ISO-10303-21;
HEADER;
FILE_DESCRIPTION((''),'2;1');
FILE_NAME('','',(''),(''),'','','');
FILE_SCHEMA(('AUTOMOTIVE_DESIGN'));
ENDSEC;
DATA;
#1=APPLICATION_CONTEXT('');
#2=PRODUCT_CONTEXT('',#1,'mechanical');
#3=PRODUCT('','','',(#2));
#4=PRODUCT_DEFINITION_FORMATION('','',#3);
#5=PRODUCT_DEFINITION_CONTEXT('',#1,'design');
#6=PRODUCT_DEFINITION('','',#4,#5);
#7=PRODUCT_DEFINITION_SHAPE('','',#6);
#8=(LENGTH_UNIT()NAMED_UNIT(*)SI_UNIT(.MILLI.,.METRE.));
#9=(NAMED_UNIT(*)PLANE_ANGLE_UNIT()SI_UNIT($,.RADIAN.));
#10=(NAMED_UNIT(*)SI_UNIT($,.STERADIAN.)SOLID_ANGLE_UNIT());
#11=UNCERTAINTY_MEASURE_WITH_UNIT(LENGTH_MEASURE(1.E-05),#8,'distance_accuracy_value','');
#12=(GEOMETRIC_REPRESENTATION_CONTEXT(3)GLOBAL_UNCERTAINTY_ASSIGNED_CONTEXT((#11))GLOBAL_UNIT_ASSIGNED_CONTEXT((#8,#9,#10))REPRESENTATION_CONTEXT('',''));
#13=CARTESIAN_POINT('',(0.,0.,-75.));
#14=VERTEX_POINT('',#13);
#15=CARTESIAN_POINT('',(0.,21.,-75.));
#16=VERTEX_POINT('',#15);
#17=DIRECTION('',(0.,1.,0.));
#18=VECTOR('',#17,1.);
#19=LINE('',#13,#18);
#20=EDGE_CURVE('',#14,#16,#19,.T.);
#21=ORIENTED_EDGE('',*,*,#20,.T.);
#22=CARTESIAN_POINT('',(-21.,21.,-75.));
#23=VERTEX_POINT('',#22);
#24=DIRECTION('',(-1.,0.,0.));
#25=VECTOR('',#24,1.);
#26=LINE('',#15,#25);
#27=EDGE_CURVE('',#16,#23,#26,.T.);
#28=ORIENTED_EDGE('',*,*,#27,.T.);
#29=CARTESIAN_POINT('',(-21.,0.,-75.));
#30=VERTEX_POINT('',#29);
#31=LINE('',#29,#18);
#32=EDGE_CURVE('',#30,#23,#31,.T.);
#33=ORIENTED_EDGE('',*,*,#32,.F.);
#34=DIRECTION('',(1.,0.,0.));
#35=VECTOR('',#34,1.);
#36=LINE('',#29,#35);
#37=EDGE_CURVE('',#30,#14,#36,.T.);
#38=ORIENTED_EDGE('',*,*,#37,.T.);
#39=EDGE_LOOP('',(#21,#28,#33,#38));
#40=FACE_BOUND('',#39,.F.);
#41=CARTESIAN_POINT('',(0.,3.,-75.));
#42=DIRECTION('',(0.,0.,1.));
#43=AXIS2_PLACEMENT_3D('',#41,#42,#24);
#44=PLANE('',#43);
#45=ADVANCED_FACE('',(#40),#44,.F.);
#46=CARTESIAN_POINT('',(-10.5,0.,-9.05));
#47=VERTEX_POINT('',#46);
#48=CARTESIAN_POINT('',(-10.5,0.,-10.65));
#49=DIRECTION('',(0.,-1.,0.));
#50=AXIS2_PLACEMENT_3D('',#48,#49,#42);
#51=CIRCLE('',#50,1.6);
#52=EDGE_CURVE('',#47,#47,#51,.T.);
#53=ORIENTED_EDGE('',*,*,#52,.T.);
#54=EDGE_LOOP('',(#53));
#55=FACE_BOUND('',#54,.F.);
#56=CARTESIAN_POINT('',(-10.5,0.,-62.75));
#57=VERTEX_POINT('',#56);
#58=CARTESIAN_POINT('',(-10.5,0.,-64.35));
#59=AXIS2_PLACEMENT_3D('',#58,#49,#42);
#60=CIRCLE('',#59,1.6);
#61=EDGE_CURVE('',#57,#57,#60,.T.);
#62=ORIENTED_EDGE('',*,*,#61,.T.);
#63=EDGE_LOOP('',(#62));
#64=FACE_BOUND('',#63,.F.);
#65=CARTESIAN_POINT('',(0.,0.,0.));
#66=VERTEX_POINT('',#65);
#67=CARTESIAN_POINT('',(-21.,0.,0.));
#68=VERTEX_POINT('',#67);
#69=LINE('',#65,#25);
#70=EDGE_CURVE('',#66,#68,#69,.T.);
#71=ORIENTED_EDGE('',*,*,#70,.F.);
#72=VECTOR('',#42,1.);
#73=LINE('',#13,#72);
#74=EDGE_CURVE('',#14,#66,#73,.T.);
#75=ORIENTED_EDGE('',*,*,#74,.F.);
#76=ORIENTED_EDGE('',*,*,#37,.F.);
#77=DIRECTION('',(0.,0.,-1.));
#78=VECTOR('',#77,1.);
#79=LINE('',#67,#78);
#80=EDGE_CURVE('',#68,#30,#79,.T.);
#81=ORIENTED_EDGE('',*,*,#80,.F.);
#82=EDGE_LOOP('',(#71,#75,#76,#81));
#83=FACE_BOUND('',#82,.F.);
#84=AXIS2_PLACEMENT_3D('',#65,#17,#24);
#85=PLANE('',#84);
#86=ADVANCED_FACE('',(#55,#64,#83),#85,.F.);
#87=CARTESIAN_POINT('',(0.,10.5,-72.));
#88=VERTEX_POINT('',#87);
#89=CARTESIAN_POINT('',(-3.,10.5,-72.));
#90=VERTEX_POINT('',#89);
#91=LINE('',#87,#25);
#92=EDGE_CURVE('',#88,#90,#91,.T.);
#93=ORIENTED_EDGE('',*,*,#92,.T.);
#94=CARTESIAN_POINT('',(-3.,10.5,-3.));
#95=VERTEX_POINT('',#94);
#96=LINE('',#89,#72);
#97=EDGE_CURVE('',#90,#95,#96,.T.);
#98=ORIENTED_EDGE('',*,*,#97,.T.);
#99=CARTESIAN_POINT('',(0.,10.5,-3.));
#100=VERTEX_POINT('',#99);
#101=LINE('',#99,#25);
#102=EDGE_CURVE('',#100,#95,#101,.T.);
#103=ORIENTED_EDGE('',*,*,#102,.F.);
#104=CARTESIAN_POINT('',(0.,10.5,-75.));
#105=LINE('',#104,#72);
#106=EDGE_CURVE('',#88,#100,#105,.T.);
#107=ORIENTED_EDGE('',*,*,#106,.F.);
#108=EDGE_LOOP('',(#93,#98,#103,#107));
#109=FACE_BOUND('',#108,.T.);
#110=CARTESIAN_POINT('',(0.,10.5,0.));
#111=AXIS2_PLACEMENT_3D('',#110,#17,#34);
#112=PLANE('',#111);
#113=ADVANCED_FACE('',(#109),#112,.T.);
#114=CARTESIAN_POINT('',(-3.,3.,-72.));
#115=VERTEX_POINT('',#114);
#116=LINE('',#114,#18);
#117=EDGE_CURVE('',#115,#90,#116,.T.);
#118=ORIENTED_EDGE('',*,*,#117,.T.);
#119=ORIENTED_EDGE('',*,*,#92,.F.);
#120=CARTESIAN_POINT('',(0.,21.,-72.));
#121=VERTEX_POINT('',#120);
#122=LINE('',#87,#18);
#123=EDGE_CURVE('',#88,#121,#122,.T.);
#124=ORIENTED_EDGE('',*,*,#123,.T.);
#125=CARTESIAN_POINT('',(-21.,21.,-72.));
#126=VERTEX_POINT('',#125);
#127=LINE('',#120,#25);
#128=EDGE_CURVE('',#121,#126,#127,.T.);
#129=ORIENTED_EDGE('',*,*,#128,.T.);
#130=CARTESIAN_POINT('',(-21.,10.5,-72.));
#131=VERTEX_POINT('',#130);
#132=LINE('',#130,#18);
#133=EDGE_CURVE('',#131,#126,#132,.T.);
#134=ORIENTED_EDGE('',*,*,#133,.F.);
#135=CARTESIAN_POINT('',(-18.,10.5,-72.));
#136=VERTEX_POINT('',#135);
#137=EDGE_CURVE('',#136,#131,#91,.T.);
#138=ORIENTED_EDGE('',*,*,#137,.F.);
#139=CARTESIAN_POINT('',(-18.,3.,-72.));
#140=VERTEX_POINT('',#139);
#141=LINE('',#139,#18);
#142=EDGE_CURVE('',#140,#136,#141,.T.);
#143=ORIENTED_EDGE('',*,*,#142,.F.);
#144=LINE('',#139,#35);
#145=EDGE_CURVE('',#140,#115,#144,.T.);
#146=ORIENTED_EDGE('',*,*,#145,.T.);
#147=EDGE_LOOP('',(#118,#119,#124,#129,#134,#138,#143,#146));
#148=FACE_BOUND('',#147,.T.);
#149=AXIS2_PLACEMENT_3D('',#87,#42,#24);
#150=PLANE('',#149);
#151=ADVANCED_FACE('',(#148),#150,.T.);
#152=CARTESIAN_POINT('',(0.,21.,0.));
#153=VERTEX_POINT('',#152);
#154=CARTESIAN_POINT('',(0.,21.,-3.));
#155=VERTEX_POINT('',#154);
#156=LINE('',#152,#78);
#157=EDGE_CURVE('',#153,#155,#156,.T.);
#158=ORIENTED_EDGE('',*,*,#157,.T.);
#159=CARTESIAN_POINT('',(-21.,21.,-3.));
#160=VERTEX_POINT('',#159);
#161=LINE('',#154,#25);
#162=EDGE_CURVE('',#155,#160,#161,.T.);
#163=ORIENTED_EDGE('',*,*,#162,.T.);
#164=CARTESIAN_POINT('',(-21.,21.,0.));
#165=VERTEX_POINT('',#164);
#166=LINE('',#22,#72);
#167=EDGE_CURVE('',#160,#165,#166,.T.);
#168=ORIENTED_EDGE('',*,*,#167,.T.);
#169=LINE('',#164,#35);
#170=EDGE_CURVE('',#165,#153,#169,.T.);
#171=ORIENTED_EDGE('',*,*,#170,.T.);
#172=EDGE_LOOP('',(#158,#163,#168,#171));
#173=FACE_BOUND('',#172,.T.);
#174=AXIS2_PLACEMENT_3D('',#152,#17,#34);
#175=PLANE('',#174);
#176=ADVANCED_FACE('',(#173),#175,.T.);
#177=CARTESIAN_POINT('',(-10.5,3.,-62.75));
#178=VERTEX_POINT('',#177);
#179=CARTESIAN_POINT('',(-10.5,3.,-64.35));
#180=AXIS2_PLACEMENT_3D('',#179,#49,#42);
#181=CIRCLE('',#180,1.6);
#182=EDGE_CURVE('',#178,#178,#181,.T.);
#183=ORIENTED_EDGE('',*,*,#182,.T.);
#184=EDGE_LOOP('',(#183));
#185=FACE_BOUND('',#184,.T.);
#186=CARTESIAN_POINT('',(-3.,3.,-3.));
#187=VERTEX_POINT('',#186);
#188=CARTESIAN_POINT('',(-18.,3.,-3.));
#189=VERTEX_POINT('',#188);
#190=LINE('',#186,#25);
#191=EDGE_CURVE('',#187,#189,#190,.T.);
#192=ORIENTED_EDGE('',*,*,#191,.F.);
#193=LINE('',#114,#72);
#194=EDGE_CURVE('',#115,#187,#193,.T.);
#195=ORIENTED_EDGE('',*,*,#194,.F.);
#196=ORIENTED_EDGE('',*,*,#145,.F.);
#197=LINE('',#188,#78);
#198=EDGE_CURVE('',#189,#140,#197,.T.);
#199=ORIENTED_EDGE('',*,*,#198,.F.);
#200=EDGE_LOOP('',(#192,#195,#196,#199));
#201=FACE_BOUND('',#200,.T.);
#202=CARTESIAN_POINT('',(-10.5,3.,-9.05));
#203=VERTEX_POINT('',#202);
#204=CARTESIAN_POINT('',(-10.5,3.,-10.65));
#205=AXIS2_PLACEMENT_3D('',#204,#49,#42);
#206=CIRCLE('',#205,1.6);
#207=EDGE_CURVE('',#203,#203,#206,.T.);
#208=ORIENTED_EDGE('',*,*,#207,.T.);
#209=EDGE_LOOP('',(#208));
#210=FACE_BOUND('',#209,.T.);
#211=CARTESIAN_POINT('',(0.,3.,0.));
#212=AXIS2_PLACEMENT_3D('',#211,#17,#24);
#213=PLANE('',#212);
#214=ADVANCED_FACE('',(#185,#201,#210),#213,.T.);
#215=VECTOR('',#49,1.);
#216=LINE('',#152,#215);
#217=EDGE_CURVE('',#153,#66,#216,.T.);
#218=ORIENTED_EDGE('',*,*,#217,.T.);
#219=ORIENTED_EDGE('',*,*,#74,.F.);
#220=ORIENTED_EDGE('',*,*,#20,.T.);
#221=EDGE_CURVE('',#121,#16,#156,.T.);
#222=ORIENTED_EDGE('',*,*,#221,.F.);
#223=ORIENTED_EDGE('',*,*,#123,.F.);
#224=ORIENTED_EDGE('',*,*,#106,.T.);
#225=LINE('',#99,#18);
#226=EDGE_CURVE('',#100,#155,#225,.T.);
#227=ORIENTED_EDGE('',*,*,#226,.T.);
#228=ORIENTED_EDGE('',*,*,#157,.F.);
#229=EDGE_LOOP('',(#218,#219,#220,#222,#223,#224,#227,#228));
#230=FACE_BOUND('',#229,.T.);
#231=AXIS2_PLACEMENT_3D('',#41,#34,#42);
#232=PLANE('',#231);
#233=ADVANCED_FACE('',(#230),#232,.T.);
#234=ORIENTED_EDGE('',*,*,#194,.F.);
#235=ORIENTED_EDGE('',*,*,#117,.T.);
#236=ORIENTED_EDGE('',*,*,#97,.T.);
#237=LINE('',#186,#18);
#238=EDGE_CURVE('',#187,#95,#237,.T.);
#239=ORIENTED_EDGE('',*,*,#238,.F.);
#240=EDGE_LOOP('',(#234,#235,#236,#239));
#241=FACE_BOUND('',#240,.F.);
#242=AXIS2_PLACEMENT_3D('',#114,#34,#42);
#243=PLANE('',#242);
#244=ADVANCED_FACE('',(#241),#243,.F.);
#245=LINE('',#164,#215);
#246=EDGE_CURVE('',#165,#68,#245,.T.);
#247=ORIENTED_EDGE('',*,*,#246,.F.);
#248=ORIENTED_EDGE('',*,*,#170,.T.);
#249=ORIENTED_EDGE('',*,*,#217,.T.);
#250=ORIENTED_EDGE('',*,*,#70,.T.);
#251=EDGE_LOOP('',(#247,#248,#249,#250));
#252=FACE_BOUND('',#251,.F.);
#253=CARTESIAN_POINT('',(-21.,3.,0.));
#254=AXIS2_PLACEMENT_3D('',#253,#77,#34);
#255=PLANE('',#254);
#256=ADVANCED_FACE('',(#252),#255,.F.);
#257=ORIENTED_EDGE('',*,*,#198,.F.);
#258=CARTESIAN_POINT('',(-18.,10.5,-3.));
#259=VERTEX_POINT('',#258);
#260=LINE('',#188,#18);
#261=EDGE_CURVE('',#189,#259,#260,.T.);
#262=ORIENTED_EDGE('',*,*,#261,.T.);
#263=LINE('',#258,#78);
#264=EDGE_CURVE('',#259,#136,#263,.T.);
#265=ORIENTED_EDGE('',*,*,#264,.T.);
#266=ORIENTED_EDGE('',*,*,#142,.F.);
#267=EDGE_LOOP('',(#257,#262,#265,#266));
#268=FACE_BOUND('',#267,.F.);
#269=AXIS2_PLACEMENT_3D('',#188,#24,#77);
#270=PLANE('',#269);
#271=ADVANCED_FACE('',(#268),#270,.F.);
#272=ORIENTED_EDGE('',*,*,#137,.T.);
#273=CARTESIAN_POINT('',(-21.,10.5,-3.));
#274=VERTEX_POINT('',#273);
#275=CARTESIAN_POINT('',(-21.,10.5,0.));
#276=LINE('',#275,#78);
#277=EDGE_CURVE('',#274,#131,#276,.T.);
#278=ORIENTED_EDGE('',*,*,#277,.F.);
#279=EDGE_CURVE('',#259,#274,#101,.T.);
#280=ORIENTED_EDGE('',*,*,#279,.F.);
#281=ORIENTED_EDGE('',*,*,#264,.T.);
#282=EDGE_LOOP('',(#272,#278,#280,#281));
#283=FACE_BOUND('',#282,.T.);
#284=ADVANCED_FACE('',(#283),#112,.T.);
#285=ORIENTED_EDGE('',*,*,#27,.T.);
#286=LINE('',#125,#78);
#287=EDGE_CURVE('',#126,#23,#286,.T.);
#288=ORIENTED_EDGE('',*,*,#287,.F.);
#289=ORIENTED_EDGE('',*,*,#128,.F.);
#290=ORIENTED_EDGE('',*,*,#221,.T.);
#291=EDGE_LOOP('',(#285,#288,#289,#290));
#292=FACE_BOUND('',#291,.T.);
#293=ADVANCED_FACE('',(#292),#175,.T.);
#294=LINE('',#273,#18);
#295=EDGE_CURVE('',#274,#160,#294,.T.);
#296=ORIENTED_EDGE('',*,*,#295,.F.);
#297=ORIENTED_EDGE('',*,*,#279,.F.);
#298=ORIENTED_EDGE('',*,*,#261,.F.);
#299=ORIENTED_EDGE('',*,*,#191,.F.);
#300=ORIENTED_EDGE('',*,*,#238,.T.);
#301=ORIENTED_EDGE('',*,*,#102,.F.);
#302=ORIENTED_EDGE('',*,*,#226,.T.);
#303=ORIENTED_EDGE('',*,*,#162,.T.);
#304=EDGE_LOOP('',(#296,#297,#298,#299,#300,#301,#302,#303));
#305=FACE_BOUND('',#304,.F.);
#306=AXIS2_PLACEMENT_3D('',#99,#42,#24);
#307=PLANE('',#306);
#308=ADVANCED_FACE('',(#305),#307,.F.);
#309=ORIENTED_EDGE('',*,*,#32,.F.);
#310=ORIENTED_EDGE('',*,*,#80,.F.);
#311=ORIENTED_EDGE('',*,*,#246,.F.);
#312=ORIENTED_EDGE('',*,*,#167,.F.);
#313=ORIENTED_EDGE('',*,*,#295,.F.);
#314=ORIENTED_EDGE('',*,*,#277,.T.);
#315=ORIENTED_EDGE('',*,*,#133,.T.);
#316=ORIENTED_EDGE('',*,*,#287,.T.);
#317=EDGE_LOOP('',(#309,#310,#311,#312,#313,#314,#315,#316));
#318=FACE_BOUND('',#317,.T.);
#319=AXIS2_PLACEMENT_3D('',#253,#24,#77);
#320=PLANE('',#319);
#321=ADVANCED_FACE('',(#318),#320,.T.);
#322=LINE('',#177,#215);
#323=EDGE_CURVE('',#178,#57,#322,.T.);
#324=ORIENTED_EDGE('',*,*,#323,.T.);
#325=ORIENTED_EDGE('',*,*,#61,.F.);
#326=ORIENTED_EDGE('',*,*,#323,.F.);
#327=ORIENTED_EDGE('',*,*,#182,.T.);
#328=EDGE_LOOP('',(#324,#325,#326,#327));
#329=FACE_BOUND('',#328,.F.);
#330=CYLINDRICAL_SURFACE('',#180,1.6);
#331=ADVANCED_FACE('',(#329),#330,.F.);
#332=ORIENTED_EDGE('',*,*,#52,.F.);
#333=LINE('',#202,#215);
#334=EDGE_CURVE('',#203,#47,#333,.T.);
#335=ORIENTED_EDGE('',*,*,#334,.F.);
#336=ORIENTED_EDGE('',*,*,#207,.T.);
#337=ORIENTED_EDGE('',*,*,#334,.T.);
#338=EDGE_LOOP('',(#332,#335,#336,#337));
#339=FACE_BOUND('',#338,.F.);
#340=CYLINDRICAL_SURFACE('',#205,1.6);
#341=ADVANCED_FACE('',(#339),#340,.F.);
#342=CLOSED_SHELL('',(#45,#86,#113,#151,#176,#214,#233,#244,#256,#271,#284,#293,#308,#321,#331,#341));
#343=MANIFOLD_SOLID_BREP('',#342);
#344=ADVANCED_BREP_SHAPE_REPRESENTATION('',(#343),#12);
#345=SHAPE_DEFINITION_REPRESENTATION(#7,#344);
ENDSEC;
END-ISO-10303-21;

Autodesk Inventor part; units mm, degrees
ref_plane "YZ Plane" through (0, 0, 0) normal (1, 0, 0) x (0, 1, 0)
ref_plane "XZ Plane" through (0, 0, 0) normal (0, 1, 0) x (-1, 0, 0)
ref_plane "XY Plane" through (0, 0, 0) normal (0, 0, 1) x (1, 0, 0)
sketch "スケッチ1" plane through (0, 0, 0) normal (0, 1, 0) x (-1, 0, 0)
  line L0 (0, 0) -> (21, 0)
  line L1 (21, 0) -> (21, -75)
  line L2 (21, -75) -> (0, -75)
  line L3 (0, -75) -> (0, 0)
  dimension "d0" = 21
  dimension "d3" = 75
extrude "押し出し1" add sketch "スケッチ1" along normal blind 3
sketch "スケッチ2" plane through (0, 3, 0) normal (0, 1, 0) x (1, 0, 0)
  line L0 (-21, 0) -> (0, 0) projected
  line L1 (0, 75) -> (-21, 75) projected
  line L2 (-21, 75) -> (-21, 0) projected
  point P0 (-10.5, 10.65)
  point P1 (-10.5, 64.35)
  dimension "d4" = 53.7
  dimension "d5" = 10.65
  dimension "d7" = 10.5
hole "穴1" at (-10.5, 3, -10.65) at (-10.5, 3, -64.35) direction (0, -1, 0) diameter 3.2 end through all
sketch "スケッチ3" plane through (0, 3, 0) normal (0, 1, 0) x (1, 0, 0)
  line L0 (0, 75) -> (-21, 75) projected
  line L1 (-21, 0) -> (0, 0) projected
  line L2 (-21, 75) -> (0, 75)
  line L3 (0, 75) -> (0, 0)
  line L4 (0, 0) -> (-21, 0)
  line L5 (-21, 0) -> (-21, 75)
  line L6 (-18, 72) -> (-3, 72)
  line L7 (-3, 72) -> (-3, 3)
  line L8 (-3, 3) -> (-18, 3)
  line L9 (-18, 3) -> (-18, 72)
  dimension "d15" = 3
  dimension "d16" = 3
  dimension "d17" = 3
  dimension "d18" = 3
extrude "押し出し2" add sketch "スケッチ3" along normal blind 7.5
sketch "スケッチ4" plane through (0, 10.5, 0) normal (0, 1, 0) x (1, 0, 0)
  line L0 (0, 75) -> (-21, 75) projected
  line L1 (0, 0) -> (0, 75) projected
  line L2 (-21, 75) -> (0, 75)
  line L3 (0, 75) -> (0, 72)
  line L4 (0, 72) -> (-21, 72)
  line L5 (-21, 72) -> (-21, 75)
  line L6 (-21, 75) -> (-21, 0) projected
  line L7 (-21, 0) -> (0, 0)
  line L8 (0, 0) -> (0, 3)
  line L9 (0, 3) -> (-21, 3)
  line L10 (-21, 3) -> (-21, 0)
  dimension "d21" = 3
  dimension "d22" = 3
extrude "押し出し3" add sketch "スケッチ4" along normal blind 10.5 contours L1 L4 L5 L0 | L1 L7 L6 L9
properties part number "batteryBox" material "ポリプロピレン"
